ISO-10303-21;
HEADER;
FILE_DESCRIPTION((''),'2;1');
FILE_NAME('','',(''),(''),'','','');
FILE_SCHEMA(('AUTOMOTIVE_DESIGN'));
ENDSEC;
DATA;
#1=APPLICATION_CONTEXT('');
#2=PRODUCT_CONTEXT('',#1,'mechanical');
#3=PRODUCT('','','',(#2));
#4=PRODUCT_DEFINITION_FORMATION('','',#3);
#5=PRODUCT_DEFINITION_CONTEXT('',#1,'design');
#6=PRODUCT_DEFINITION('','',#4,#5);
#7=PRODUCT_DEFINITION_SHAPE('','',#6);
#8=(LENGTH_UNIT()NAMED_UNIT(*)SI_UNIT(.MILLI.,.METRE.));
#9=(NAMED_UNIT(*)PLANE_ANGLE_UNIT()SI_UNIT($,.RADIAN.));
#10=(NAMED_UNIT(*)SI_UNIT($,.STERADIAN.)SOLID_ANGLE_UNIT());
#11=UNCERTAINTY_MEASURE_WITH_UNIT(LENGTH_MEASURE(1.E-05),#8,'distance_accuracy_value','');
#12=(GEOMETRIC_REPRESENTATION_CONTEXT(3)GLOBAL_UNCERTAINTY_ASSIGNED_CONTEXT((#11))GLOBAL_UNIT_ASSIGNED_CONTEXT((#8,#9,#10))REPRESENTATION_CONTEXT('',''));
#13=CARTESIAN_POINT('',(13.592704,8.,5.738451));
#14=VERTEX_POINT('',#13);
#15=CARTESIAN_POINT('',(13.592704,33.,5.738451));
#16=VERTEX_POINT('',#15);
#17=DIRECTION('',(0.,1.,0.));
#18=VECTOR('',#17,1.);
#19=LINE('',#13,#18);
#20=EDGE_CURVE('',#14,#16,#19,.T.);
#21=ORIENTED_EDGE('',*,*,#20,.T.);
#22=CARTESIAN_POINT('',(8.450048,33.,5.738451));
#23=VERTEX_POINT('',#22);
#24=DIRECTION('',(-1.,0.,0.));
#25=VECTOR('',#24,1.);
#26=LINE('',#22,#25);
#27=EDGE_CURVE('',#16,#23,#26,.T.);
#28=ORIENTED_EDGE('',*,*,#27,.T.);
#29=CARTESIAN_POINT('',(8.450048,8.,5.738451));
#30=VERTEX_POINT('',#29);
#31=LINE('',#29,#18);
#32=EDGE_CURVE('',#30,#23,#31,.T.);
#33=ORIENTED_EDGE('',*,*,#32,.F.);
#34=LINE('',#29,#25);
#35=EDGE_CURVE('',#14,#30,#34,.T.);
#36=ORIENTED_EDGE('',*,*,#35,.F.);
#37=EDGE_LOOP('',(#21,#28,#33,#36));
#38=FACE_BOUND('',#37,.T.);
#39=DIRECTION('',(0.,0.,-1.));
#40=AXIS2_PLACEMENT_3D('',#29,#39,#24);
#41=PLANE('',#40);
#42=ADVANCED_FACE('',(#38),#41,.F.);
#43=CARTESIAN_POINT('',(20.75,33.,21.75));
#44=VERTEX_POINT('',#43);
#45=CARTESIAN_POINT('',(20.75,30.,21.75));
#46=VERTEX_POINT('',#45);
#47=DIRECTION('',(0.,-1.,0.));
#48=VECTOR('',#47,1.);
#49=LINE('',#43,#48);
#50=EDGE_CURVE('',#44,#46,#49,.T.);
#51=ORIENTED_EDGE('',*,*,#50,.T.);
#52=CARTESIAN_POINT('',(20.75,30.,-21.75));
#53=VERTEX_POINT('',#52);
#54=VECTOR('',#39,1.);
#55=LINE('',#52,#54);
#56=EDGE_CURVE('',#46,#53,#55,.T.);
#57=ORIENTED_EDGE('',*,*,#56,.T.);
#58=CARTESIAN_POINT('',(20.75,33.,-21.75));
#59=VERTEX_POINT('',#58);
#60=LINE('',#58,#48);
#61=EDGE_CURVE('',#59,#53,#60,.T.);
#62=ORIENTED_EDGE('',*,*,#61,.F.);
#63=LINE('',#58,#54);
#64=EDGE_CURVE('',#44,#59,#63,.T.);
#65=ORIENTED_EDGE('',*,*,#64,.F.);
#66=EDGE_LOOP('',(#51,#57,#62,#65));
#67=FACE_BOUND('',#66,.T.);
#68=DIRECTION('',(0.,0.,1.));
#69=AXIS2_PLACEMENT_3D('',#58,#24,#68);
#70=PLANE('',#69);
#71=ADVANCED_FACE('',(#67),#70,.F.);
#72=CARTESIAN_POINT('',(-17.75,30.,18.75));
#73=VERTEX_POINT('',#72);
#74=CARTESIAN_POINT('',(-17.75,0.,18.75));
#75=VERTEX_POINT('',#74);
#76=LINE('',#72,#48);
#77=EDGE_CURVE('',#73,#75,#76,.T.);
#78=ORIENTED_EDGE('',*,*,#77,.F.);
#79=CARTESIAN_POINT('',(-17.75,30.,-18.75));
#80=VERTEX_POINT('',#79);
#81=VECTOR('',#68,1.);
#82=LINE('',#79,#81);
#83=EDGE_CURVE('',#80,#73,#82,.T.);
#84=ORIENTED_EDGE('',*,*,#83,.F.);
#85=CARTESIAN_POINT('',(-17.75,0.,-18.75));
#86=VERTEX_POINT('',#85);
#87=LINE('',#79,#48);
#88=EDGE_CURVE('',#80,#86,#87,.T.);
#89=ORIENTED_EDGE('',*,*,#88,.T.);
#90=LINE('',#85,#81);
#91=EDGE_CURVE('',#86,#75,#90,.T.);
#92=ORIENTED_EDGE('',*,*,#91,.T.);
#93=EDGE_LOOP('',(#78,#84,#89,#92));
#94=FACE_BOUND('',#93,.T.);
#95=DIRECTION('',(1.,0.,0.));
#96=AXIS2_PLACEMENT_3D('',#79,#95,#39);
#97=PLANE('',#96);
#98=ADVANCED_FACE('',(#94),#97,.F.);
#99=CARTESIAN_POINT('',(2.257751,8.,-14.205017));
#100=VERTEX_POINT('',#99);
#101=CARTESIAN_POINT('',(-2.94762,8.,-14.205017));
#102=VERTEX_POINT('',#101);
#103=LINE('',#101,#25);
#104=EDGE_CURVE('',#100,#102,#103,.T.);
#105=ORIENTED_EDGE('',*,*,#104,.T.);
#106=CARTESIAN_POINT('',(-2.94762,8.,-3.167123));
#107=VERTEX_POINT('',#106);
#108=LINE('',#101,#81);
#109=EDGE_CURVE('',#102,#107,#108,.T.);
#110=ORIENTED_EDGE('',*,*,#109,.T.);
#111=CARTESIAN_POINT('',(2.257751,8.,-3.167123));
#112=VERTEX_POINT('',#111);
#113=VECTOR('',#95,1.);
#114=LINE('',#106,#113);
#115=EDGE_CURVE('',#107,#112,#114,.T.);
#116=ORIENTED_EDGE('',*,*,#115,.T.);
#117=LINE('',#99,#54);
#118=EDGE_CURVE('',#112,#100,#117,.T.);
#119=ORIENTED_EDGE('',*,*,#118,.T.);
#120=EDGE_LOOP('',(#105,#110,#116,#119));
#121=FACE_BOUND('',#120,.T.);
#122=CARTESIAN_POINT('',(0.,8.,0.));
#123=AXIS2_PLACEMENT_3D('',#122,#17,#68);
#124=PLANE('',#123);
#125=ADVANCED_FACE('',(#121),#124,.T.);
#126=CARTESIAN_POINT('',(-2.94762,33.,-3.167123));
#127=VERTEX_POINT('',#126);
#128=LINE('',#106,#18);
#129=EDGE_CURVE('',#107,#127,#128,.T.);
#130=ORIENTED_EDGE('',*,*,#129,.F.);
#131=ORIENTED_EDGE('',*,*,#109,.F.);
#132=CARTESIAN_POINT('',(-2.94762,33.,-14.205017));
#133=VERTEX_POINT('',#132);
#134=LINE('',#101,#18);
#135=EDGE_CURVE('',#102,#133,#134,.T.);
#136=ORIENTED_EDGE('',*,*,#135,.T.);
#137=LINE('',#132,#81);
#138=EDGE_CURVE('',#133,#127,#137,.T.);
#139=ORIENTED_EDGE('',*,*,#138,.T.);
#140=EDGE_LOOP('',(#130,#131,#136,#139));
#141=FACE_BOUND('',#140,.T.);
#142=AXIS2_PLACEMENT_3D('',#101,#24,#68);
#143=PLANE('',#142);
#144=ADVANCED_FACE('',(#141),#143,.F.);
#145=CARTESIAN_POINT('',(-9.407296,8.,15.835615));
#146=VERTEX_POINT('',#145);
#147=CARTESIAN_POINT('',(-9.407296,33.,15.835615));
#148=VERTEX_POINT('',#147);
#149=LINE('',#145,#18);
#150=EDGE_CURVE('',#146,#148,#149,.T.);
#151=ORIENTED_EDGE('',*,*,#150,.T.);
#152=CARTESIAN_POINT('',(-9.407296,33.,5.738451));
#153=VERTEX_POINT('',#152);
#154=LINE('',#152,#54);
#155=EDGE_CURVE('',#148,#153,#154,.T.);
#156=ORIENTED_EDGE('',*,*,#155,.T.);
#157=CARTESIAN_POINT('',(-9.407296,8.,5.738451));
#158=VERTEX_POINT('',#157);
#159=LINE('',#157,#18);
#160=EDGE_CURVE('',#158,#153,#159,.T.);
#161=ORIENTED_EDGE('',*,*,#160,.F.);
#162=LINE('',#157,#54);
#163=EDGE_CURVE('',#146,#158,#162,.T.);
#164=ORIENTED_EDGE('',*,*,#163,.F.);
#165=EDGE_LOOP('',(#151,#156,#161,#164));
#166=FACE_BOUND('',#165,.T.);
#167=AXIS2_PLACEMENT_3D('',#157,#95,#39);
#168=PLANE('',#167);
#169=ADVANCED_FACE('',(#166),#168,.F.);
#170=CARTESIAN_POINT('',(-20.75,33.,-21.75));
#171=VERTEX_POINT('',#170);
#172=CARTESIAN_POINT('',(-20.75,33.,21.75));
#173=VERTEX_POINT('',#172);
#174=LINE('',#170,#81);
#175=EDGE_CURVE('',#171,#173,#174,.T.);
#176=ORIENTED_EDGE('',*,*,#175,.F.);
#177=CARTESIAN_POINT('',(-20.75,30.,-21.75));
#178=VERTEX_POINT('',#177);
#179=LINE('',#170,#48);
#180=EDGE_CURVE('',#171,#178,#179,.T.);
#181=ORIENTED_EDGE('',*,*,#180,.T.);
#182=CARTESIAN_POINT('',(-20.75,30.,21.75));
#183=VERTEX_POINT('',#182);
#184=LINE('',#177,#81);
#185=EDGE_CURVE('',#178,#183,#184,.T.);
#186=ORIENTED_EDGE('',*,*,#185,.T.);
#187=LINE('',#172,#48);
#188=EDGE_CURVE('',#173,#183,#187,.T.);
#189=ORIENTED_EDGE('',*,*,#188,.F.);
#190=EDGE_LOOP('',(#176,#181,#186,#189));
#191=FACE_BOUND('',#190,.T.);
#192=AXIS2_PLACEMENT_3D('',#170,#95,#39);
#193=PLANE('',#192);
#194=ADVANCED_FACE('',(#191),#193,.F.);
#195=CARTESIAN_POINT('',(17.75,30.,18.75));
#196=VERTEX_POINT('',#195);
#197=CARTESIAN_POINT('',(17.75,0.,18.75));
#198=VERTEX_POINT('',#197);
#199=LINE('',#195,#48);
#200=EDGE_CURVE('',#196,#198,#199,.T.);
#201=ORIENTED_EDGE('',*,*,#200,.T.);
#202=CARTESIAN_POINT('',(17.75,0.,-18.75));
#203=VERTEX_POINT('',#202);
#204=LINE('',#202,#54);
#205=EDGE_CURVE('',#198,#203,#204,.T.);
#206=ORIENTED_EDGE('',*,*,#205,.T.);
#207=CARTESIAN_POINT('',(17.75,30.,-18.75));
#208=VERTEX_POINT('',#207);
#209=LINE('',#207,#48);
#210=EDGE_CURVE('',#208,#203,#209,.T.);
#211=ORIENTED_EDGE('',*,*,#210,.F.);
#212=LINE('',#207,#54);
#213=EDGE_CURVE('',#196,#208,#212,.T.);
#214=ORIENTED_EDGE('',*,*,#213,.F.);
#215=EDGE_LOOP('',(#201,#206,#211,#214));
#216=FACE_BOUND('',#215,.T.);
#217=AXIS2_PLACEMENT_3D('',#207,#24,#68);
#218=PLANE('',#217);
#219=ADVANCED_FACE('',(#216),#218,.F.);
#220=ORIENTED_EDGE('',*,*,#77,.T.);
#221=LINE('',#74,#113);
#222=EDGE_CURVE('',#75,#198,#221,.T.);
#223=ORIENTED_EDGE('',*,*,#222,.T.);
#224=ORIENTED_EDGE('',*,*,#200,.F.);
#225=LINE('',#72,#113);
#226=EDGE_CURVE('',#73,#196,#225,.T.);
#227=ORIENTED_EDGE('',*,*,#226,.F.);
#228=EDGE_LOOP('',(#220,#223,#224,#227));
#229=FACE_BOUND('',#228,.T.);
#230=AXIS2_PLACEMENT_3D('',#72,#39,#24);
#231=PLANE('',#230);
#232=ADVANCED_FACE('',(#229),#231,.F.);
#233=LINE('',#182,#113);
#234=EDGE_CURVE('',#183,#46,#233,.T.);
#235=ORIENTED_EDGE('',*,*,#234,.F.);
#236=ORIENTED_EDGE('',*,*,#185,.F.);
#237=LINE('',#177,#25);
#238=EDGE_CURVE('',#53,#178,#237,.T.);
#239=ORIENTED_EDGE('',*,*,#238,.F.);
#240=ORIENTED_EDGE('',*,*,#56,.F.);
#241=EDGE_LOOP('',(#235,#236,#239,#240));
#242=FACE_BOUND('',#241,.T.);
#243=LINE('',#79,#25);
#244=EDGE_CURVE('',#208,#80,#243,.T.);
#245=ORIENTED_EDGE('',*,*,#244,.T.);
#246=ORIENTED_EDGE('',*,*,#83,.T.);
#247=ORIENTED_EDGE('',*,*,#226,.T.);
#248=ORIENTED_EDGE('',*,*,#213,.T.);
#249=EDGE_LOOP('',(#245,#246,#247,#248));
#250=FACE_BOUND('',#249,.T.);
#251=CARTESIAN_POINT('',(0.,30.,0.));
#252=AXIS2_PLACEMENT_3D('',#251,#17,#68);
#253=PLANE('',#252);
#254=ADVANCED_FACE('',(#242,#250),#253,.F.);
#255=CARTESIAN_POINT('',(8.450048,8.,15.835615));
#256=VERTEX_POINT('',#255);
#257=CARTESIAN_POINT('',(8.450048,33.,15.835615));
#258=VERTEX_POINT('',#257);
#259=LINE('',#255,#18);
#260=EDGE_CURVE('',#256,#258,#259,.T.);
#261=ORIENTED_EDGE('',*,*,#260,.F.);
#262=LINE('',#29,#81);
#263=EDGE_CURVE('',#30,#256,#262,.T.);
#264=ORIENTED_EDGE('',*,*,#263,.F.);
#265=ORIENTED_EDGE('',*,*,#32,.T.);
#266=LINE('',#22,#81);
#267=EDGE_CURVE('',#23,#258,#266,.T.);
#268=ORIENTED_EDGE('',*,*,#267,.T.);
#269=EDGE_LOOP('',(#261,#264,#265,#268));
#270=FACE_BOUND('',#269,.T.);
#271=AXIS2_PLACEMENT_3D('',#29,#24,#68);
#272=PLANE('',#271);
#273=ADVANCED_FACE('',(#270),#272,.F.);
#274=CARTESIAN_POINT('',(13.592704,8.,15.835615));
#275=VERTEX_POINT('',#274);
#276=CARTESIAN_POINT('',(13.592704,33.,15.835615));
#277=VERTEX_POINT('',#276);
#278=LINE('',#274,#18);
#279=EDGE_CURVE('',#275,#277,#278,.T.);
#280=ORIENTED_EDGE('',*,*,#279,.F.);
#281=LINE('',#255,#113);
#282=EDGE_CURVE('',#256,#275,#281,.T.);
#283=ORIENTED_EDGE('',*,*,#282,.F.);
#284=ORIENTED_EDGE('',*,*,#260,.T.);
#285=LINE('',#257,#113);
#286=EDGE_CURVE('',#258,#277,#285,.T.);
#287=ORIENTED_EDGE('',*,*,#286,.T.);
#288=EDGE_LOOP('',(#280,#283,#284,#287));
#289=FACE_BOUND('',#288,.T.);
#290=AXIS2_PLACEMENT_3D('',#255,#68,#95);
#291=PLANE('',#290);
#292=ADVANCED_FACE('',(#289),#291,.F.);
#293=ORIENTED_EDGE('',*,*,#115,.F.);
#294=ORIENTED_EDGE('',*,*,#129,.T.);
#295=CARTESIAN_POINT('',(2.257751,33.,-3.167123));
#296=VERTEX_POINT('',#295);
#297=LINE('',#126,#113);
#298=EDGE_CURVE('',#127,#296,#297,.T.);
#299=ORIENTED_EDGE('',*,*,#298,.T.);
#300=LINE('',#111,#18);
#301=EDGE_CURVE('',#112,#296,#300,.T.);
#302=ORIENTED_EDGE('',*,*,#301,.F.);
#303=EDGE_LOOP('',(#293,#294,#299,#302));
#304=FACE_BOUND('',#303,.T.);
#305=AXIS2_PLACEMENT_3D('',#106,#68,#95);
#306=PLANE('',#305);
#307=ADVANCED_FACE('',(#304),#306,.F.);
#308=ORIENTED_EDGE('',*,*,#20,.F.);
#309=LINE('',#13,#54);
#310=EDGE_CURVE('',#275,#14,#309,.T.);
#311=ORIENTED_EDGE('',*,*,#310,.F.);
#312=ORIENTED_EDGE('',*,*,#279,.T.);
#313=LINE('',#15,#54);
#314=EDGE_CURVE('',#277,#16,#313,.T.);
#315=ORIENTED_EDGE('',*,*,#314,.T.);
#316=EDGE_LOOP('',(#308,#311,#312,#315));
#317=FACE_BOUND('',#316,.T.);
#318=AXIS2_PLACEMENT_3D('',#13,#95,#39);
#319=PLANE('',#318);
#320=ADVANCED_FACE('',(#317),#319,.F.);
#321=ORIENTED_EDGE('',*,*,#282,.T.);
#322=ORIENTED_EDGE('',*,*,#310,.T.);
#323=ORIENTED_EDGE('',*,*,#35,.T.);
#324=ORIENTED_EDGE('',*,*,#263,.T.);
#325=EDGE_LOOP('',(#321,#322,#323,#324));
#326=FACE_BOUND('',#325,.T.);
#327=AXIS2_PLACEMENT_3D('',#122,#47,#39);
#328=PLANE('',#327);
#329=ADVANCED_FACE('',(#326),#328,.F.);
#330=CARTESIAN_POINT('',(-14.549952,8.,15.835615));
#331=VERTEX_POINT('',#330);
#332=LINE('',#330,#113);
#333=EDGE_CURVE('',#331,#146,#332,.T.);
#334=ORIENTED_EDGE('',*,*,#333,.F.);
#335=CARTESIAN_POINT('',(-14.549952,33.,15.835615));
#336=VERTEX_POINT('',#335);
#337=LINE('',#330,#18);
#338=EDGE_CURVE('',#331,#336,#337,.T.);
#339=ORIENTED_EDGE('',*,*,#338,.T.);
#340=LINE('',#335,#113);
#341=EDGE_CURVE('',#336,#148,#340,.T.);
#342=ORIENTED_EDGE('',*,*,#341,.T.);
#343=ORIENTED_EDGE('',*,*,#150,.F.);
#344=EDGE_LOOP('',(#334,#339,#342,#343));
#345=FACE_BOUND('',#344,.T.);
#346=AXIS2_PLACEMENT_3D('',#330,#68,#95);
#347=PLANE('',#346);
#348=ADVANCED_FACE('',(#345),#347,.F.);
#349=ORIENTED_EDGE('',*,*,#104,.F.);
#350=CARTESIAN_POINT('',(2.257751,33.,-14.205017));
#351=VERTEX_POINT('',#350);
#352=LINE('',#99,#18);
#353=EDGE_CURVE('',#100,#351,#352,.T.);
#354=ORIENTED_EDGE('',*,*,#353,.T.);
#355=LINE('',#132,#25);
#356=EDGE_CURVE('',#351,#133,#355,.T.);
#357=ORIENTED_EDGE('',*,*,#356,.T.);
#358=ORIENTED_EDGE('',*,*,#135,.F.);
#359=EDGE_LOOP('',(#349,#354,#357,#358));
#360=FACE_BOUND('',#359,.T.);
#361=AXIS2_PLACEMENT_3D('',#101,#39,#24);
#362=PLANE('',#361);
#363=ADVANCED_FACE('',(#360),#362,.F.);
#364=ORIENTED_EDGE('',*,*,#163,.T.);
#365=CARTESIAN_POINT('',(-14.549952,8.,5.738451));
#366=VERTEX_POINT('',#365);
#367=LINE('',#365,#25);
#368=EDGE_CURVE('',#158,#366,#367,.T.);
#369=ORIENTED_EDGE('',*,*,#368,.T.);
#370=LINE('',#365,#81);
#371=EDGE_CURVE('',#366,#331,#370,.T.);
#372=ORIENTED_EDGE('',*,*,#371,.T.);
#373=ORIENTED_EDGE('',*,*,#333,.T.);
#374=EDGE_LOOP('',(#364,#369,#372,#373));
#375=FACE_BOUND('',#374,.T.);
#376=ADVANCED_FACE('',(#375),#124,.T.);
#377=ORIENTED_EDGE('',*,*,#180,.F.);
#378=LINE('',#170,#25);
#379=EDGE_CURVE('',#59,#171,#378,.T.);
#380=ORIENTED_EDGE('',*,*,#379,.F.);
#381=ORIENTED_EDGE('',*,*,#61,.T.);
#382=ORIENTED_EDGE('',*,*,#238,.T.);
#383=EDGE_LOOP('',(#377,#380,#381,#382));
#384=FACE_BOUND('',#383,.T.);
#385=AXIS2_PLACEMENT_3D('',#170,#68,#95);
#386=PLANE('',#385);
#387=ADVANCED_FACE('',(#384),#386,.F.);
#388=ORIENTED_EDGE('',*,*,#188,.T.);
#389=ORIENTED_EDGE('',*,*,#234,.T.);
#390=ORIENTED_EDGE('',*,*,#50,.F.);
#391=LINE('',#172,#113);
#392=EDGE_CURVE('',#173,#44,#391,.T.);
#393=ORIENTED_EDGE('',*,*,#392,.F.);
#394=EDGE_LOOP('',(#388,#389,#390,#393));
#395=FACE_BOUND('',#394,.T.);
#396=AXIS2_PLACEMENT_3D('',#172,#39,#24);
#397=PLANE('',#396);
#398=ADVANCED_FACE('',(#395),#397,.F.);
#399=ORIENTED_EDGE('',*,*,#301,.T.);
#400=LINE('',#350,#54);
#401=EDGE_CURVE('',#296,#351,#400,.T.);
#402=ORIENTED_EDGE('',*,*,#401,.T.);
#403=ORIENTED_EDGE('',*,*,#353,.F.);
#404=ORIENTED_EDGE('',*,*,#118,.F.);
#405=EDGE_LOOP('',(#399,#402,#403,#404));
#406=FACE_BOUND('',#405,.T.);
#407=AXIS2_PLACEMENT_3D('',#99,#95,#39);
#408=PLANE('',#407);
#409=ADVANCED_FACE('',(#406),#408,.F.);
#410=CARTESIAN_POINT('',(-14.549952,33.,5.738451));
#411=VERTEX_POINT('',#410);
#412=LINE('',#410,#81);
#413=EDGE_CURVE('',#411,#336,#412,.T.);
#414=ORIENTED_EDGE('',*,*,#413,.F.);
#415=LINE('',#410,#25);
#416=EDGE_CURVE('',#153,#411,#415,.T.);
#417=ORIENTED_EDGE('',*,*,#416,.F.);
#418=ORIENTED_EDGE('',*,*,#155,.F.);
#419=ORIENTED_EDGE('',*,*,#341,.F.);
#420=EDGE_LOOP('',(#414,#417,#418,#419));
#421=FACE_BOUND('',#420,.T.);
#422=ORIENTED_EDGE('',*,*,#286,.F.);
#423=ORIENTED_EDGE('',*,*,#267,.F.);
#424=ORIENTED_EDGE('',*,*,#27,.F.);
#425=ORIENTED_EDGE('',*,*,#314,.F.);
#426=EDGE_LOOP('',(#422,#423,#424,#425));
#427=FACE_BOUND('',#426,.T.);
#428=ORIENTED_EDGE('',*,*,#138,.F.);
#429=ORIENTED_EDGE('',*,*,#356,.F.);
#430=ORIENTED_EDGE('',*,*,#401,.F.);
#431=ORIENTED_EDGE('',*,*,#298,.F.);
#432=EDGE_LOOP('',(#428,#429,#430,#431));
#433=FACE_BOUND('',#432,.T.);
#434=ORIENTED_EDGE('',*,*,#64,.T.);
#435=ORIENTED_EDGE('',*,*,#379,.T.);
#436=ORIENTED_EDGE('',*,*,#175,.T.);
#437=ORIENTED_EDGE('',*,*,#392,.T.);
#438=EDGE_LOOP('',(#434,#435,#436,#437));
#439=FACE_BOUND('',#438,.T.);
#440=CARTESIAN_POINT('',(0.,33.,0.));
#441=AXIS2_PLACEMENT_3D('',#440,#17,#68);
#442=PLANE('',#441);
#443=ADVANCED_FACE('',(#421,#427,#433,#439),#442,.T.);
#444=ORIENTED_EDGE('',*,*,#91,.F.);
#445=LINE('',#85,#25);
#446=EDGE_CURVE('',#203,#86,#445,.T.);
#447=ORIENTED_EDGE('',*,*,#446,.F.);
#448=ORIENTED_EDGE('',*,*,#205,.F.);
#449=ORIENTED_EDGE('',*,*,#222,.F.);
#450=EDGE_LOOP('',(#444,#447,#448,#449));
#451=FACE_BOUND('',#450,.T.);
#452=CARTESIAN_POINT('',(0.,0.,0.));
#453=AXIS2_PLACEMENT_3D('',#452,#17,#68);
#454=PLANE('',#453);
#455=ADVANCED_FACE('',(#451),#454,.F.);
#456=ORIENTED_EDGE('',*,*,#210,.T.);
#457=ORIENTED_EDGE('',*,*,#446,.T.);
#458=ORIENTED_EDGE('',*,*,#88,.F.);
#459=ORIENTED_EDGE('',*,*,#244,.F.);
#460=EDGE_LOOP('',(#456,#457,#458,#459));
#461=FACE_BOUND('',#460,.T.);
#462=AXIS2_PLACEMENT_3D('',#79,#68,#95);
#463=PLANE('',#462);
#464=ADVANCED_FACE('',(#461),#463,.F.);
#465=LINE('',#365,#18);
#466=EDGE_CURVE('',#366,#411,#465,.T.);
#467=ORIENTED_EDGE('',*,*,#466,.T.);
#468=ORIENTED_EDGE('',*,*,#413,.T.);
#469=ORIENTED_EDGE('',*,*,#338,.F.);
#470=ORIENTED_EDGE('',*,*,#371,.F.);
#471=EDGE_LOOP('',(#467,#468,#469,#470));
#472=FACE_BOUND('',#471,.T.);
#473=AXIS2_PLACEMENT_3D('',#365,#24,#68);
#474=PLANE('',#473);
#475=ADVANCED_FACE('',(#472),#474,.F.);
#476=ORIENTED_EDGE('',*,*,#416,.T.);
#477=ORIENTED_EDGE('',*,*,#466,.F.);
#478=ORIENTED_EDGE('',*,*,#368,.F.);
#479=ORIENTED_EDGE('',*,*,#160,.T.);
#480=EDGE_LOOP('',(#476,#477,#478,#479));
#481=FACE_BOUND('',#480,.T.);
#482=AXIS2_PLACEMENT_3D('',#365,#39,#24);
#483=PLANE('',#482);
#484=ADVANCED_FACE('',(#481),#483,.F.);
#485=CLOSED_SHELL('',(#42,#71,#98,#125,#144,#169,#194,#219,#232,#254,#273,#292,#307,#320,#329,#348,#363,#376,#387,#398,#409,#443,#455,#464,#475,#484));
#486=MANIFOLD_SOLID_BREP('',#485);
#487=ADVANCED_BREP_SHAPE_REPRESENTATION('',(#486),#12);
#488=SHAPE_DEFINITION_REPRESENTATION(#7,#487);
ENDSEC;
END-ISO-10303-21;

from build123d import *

# Parameters (mm, degrees)
SKETCH_1_W          = 35.5
SKETCH_1_H          = 37.5
EXTRUDE_1_DEPTH     = 30
SKETCH_2_W          = 41.5
SKETCH_2_H          = 43.5
EXTRUDE_2_DEPTH     = 3
SKETCH_4_W          = 5.142655321
SKETCH_4_H          = 10.097164716
SKETCH_4_W_2        = 5.20537063
SKETCH_4_H_2        = 11.037894348
CUT_EXTRUDE_1_DEPTH = 25


with BuildPart() as part:
    # 草图1 → 凸台-拉伸1 (new body)
    with BuildSketch(Plane(origin=(0, 0, 0), x_dir=(1, 0, 0), z_dir=(0, 1, 0))):
        Rectangle(SKETCH_1_W, SKETCH_1_H)
    extrude(amount=EXTRUDE_1_DEPTH)

    # 草图2 → 凸台-拉伸2 (add)
    with BuildSketch(Plane(origin=(0, 30, 0), x_dir=(1, 0, 0), z_dir=(0, 1, 0))):
        Rectangle(SKETCH_2_W, SKETCH_2_H)
    extrude(amount=EXTRUDE_2_DEPTH)

    # 草图4 → 切除-拉伸1 (cut)
    with BuildSketch(Plane(origin=(0, 33, 0), x_dir=(1, 0, 0), z_dir=(0, 1, 0))):
        with Locations((11.02137602, -10.787033113)):
            Rectangle(SKETCH_4_W, SKETCH_4_H)
        with Locations((-0.344934198, 8.686070268)):
            Rectangle(SKETCH_4_W_2, SKETCH_4_H_2)
        with Locations((-11.97862398, -10.787033113)):
            Rectangle(SKETCH_4_W, SKETCH_4_H)
    extrude(amount=-CUT_EXTRUDE_1_DEPTH, mode=Mode.SUBTRACT)


solid = part.part
